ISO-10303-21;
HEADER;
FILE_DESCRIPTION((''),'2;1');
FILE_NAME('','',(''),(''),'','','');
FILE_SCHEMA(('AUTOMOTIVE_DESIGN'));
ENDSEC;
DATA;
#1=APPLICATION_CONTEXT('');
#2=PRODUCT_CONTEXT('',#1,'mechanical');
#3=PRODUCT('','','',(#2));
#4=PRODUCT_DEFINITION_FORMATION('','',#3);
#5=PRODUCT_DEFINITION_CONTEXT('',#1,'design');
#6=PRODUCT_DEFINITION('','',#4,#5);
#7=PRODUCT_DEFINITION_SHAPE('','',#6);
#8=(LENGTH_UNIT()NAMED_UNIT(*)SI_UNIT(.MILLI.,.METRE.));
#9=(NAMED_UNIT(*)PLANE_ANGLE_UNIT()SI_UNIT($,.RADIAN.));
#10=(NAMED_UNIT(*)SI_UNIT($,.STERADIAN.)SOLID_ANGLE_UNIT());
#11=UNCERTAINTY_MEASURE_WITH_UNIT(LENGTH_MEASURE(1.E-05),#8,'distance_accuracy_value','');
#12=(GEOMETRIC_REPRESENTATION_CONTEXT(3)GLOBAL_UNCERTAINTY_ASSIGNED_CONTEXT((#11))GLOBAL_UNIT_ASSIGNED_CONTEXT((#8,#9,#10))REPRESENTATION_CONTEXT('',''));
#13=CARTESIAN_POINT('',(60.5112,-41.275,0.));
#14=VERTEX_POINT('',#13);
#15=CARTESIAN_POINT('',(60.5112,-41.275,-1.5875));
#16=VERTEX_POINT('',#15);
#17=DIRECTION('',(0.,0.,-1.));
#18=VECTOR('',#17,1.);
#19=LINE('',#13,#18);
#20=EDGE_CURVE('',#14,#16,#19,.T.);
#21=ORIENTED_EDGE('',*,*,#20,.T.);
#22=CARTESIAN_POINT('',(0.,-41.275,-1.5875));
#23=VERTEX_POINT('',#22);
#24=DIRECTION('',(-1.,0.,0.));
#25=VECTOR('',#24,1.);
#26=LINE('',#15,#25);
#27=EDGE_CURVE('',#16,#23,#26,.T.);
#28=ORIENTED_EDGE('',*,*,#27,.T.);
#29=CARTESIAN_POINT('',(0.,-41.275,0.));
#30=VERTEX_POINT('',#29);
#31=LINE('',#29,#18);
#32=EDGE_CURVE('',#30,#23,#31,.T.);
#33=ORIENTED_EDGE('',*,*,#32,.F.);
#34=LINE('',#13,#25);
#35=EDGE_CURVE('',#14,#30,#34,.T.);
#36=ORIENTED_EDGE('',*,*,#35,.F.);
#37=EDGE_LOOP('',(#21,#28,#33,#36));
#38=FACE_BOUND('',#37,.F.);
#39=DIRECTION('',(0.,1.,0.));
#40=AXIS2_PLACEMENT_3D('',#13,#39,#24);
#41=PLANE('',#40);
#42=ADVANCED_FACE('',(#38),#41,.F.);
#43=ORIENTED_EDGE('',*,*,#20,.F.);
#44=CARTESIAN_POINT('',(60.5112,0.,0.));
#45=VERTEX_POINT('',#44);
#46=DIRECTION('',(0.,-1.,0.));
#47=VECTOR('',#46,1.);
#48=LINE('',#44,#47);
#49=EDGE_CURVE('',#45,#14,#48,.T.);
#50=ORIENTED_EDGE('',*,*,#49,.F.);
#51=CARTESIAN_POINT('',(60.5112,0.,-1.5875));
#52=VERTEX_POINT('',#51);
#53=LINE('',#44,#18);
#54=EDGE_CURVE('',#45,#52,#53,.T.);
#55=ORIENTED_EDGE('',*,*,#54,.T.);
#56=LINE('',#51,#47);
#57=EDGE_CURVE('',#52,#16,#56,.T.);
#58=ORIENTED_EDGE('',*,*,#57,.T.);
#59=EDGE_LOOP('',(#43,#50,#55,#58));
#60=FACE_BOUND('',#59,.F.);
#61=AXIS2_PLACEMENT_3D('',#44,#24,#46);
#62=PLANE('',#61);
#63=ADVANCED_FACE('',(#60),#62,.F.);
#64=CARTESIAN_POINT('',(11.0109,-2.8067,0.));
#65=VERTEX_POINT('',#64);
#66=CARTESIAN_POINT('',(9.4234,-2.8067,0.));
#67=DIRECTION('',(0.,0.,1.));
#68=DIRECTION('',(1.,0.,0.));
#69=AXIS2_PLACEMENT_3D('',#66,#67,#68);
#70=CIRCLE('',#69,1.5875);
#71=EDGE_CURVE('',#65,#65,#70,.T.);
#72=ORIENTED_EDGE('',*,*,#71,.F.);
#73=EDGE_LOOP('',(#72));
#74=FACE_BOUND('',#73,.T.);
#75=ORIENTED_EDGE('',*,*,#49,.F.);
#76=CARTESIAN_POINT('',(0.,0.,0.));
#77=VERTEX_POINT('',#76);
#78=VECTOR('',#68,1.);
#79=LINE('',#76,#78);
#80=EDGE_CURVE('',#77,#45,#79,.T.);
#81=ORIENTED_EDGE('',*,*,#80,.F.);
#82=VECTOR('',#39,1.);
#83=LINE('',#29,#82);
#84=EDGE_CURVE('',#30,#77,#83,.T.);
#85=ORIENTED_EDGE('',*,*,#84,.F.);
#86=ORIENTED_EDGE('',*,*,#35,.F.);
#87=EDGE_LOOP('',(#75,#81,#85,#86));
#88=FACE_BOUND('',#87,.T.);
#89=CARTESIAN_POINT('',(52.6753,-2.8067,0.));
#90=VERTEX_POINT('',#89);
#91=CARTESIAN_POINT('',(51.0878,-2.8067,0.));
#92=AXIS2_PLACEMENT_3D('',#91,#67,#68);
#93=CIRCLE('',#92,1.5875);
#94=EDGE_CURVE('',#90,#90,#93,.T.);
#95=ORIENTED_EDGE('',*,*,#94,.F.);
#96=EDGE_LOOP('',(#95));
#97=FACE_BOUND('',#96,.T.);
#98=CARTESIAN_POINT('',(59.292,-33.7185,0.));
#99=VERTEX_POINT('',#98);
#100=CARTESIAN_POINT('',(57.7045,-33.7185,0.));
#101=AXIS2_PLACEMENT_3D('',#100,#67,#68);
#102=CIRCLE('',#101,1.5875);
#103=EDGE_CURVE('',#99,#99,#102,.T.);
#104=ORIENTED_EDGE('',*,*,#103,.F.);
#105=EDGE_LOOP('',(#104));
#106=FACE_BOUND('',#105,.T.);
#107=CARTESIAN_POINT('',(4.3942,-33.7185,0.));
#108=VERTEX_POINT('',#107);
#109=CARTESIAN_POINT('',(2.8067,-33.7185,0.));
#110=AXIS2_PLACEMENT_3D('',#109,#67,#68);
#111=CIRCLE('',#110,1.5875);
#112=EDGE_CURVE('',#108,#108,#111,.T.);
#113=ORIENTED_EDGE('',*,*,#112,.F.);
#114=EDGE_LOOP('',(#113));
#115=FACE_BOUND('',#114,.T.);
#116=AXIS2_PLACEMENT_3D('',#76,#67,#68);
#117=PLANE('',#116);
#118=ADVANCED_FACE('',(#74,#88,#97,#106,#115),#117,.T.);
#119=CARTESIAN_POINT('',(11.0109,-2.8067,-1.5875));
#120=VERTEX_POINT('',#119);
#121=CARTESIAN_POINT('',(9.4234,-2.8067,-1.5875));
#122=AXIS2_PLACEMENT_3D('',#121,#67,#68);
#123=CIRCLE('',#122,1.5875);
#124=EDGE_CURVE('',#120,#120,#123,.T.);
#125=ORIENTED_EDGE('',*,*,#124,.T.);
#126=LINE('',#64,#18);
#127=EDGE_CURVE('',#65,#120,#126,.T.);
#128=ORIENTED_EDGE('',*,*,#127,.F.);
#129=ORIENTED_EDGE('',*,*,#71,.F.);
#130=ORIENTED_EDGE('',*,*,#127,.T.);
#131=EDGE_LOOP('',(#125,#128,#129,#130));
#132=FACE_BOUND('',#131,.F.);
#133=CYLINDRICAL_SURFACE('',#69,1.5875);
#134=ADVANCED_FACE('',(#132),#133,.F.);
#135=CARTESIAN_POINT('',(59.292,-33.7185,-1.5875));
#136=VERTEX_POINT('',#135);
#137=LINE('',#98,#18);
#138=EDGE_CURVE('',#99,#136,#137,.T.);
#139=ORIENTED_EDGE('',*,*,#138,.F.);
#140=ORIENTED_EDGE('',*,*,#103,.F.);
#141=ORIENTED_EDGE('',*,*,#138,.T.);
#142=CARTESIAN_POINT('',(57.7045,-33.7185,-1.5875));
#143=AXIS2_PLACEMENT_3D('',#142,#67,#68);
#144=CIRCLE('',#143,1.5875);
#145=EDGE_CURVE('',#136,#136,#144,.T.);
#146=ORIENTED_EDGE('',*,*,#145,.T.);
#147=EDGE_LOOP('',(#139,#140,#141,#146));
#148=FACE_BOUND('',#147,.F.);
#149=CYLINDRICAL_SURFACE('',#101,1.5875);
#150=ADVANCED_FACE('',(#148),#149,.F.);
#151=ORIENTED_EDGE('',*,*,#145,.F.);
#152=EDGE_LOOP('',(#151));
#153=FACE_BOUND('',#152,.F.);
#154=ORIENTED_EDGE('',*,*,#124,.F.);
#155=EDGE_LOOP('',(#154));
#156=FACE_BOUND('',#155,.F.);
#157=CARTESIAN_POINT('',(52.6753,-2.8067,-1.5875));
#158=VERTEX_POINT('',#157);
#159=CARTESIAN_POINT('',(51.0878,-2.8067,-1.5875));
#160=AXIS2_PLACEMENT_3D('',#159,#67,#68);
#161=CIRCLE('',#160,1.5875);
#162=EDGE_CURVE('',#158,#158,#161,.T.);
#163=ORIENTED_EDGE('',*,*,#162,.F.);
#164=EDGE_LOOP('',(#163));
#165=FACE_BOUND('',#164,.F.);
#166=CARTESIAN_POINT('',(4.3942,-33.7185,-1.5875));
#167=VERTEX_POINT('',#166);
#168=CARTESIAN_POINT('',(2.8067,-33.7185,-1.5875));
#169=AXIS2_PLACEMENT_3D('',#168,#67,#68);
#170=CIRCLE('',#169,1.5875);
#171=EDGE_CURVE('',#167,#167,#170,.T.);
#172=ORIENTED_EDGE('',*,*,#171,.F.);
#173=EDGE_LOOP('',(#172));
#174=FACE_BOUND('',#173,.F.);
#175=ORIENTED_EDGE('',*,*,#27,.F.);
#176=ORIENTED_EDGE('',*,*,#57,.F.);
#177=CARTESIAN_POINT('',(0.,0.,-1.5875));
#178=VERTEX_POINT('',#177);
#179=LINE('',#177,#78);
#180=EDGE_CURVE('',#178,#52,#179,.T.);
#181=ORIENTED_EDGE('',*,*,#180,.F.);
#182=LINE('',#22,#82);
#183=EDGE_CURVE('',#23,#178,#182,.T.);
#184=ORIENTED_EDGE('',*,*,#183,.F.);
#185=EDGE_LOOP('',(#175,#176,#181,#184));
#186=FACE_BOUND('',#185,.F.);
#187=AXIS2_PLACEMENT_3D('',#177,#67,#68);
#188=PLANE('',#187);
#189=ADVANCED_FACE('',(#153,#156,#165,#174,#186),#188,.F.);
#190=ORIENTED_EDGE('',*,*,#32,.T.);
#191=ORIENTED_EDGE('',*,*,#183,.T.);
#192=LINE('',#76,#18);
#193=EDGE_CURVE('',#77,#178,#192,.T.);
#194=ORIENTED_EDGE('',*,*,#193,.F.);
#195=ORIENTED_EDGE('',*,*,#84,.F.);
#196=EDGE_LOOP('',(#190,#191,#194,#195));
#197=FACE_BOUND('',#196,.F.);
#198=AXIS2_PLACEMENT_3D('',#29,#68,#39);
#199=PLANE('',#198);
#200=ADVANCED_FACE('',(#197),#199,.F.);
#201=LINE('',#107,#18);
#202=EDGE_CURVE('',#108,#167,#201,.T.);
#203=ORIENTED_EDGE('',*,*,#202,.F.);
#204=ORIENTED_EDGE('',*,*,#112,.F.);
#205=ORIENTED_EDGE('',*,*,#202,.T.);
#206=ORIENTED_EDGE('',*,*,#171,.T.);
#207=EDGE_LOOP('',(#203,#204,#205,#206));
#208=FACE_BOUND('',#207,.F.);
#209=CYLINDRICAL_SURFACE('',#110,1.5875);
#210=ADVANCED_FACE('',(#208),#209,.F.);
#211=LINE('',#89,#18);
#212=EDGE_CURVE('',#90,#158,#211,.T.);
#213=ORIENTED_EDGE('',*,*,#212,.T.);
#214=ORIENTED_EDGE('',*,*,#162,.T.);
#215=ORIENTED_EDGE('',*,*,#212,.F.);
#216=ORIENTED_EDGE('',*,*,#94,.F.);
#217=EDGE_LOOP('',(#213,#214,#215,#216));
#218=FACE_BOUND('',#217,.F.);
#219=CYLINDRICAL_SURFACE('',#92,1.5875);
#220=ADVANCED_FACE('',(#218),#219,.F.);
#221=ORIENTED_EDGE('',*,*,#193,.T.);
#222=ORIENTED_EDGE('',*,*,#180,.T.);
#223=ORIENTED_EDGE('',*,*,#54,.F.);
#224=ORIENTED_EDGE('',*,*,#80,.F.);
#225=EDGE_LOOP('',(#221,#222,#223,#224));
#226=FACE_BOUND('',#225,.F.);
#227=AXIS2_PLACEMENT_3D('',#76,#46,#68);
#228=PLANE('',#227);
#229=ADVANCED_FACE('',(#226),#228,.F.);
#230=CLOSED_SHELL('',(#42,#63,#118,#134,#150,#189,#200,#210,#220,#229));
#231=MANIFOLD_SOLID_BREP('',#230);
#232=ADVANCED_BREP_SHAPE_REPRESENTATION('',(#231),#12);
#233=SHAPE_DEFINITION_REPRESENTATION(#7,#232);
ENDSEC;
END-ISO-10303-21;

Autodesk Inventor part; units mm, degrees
ref_plane "YZ Plane" through (0, 0, 0) normal (1, 0, 0) x (0, 1, 0)
ref_plane "XZ Plane" through (0, 0, 0) normal (0, 1, 0) x (-1, 0, 0)
ref_plane "XY Plane" through (0, 0, 0) normal (0, 0, 1) x (1, 0, 0)
sketch "Sketch1" plane through (0, 0, 0) normal (0, 0, 1) x (1, 0, 0)
  line L0 (0, 0) -> (60.5112, 0)
  line L1 (60.5112, 0) -> (60.5112, -41.275)
  line L2 (60.5112, -41.275) -> (0, -41.275)
  line L3 (0, -41.275) -> (0, 0)
  dimension "d0" = 41.275
  dimension "d1" = 60.5112
extrude "Extrusion1" add sketch "Sketch1" against normal blind 1.5875
sketch "Sketch2" plane through (0, 0, 0) normal (0, 0, 1) x (1, 0, 0)
  line L0 (0, 0) -> (60.5112, 0) projected
  line L1 (0, -41.275) -> (0, 0) projected
  line L2 (60.5112, -41.275) -> (0, -41.275) projected
  line L3 (60.5112, 0) -> (60.5112, -41.275) projected
  circle A0 centre (2.8067, -33.7185) radius 1.5875
  circle A1 centre (57.7045, -33.7185) radius 1.5875
  circle A2 centre (9.4234, -2.8067) radius 1.5875
  circle A3 centre (51.0878, -2.8067) radius 1.5875
  dimension "d13" = 3.175
  dimension "d14" = 2.8067
  dimension "d15" = 7.5565
  dimension "d16" = 3.175
  dimension "d17" = 7.5565
  dimension "d18" = 2.8067
  dimension "d19" = 3.175
  dimension "d20" = 9.4234
  dimension "d21" = 9.4234
  dimension "d22" = 3.175
  dimension "d23" = 2.8067
  dimension "d24" = 2.8067
extrude "Extrusion2" cut sketch "Sketch2" against normal blind 1.5875 contours A0 | A1 | A2 | A3
properties part number "Sensor Case Lid"
